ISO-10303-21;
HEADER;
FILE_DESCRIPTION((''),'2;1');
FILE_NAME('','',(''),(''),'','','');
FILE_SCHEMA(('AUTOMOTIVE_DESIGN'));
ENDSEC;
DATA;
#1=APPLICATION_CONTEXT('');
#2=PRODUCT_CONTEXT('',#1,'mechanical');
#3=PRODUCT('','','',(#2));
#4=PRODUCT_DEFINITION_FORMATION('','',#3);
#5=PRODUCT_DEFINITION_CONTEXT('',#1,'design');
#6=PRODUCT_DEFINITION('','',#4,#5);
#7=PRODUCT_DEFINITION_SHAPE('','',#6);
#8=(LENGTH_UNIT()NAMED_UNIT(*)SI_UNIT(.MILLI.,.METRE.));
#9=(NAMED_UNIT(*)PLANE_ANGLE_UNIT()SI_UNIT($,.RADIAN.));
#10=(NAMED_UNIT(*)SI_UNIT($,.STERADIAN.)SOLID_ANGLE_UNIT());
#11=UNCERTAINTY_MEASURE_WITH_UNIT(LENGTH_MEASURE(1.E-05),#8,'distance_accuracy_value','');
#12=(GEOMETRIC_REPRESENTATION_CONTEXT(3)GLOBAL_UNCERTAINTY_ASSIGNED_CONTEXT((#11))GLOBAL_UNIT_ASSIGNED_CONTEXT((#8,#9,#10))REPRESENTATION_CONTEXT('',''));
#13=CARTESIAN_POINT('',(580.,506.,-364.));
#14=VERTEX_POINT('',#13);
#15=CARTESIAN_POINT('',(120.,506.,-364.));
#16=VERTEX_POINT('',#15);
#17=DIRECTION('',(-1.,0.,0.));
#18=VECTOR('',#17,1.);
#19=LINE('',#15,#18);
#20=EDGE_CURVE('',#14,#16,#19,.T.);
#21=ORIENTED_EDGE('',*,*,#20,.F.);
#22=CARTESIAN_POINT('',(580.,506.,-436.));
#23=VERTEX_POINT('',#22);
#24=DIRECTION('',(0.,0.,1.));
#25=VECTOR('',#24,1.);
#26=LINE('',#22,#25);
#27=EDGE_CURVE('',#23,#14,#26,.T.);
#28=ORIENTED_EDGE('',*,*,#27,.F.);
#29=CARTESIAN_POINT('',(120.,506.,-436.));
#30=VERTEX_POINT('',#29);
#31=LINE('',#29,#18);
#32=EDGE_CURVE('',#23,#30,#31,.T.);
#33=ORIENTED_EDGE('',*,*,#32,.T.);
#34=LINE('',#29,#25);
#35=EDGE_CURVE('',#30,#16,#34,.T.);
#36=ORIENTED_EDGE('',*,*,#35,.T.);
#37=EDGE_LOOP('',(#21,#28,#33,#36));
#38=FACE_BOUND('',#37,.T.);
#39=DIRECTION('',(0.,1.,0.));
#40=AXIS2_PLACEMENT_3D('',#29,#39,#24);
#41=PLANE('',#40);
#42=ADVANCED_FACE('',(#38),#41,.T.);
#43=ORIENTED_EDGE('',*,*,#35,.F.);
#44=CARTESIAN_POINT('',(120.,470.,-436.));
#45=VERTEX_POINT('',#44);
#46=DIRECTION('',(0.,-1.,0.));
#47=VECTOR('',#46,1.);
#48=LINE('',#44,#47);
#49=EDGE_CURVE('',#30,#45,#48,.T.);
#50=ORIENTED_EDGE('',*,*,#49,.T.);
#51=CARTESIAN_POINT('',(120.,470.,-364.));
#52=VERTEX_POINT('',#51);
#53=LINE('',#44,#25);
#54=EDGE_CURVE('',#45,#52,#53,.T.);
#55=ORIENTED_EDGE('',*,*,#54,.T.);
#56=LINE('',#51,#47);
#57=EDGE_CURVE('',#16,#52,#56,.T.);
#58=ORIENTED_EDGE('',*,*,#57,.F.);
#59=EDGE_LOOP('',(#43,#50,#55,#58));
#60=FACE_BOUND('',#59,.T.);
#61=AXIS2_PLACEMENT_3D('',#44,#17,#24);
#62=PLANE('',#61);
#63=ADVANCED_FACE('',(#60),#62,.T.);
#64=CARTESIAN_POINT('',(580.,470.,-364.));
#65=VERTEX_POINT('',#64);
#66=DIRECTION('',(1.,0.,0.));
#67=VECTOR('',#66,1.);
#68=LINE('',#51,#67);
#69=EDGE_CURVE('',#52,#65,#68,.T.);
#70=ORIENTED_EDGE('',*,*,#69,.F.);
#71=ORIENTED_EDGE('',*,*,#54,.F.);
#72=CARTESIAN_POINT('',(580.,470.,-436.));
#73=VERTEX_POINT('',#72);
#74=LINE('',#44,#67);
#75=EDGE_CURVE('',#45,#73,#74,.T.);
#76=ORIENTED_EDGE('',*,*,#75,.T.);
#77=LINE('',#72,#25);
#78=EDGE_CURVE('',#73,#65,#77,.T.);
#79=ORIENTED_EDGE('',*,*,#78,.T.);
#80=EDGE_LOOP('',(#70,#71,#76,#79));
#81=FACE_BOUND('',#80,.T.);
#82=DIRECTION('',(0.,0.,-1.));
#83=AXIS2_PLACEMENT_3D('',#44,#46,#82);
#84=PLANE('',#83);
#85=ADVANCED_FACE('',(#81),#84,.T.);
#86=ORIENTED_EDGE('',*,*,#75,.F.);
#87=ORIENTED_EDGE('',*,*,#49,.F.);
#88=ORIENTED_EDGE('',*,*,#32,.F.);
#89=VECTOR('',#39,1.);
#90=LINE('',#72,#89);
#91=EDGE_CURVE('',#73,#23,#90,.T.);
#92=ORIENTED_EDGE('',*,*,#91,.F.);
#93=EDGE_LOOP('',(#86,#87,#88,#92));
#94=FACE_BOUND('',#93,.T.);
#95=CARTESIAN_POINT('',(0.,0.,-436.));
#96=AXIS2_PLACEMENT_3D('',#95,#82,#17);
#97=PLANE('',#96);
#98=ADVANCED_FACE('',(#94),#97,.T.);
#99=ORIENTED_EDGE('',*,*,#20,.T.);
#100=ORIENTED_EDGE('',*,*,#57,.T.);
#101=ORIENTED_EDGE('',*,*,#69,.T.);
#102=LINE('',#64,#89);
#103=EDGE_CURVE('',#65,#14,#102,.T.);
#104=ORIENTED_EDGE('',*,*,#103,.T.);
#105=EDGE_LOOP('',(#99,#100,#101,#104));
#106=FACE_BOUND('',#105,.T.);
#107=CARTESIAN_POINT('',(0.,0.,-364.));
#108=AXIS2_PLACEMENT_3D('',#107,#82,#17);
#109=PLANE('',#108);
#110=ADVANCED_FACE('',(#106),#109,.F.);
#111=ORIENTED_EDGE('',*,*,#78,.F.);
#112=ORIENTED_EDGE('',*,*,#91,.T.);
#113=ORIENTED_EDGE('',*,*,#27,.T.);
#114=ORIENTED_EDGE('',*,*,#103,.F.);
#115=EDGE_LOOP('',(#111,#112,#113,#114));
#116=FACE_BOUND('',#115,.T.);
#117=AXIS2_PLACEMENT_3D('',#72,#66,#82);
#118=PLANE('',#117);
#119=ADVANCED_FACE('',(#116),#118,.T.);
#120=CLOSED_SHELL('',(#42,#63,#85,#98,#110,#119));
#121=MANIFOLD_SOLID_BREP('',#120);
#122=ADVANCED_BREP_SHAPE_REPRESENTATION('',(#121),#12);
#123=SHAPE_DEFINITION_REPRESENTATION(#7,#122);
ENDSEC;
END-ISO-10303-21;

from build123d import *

# Parameters (mm, degrees)
PACK_BOYUNDURUK_PROFIL_36X72_1_START = -364
SKETCH1_W                            = 460
SKETCH1_H                            = 36
PACK_BOYUNDURUK_PROFIL_36X72_1_DEPTH = 72


with BuildPart() as part:
    # Sketch1 → PACK_boyunduruk_profil_36x72_1 (new body)
    with BuildSketch(Plane.XY.offset(PACK_BOYUNDURUK_PROFIL_36X72_1_START)):
        with Locations((350, 488)):
            Rectangle(SKETCH1_W, SKETCH1_H)
    extrude(amount=-PACK_BOYUNDURUK_PROFIL_36X72_1_DEPTH)


solid = part.part
